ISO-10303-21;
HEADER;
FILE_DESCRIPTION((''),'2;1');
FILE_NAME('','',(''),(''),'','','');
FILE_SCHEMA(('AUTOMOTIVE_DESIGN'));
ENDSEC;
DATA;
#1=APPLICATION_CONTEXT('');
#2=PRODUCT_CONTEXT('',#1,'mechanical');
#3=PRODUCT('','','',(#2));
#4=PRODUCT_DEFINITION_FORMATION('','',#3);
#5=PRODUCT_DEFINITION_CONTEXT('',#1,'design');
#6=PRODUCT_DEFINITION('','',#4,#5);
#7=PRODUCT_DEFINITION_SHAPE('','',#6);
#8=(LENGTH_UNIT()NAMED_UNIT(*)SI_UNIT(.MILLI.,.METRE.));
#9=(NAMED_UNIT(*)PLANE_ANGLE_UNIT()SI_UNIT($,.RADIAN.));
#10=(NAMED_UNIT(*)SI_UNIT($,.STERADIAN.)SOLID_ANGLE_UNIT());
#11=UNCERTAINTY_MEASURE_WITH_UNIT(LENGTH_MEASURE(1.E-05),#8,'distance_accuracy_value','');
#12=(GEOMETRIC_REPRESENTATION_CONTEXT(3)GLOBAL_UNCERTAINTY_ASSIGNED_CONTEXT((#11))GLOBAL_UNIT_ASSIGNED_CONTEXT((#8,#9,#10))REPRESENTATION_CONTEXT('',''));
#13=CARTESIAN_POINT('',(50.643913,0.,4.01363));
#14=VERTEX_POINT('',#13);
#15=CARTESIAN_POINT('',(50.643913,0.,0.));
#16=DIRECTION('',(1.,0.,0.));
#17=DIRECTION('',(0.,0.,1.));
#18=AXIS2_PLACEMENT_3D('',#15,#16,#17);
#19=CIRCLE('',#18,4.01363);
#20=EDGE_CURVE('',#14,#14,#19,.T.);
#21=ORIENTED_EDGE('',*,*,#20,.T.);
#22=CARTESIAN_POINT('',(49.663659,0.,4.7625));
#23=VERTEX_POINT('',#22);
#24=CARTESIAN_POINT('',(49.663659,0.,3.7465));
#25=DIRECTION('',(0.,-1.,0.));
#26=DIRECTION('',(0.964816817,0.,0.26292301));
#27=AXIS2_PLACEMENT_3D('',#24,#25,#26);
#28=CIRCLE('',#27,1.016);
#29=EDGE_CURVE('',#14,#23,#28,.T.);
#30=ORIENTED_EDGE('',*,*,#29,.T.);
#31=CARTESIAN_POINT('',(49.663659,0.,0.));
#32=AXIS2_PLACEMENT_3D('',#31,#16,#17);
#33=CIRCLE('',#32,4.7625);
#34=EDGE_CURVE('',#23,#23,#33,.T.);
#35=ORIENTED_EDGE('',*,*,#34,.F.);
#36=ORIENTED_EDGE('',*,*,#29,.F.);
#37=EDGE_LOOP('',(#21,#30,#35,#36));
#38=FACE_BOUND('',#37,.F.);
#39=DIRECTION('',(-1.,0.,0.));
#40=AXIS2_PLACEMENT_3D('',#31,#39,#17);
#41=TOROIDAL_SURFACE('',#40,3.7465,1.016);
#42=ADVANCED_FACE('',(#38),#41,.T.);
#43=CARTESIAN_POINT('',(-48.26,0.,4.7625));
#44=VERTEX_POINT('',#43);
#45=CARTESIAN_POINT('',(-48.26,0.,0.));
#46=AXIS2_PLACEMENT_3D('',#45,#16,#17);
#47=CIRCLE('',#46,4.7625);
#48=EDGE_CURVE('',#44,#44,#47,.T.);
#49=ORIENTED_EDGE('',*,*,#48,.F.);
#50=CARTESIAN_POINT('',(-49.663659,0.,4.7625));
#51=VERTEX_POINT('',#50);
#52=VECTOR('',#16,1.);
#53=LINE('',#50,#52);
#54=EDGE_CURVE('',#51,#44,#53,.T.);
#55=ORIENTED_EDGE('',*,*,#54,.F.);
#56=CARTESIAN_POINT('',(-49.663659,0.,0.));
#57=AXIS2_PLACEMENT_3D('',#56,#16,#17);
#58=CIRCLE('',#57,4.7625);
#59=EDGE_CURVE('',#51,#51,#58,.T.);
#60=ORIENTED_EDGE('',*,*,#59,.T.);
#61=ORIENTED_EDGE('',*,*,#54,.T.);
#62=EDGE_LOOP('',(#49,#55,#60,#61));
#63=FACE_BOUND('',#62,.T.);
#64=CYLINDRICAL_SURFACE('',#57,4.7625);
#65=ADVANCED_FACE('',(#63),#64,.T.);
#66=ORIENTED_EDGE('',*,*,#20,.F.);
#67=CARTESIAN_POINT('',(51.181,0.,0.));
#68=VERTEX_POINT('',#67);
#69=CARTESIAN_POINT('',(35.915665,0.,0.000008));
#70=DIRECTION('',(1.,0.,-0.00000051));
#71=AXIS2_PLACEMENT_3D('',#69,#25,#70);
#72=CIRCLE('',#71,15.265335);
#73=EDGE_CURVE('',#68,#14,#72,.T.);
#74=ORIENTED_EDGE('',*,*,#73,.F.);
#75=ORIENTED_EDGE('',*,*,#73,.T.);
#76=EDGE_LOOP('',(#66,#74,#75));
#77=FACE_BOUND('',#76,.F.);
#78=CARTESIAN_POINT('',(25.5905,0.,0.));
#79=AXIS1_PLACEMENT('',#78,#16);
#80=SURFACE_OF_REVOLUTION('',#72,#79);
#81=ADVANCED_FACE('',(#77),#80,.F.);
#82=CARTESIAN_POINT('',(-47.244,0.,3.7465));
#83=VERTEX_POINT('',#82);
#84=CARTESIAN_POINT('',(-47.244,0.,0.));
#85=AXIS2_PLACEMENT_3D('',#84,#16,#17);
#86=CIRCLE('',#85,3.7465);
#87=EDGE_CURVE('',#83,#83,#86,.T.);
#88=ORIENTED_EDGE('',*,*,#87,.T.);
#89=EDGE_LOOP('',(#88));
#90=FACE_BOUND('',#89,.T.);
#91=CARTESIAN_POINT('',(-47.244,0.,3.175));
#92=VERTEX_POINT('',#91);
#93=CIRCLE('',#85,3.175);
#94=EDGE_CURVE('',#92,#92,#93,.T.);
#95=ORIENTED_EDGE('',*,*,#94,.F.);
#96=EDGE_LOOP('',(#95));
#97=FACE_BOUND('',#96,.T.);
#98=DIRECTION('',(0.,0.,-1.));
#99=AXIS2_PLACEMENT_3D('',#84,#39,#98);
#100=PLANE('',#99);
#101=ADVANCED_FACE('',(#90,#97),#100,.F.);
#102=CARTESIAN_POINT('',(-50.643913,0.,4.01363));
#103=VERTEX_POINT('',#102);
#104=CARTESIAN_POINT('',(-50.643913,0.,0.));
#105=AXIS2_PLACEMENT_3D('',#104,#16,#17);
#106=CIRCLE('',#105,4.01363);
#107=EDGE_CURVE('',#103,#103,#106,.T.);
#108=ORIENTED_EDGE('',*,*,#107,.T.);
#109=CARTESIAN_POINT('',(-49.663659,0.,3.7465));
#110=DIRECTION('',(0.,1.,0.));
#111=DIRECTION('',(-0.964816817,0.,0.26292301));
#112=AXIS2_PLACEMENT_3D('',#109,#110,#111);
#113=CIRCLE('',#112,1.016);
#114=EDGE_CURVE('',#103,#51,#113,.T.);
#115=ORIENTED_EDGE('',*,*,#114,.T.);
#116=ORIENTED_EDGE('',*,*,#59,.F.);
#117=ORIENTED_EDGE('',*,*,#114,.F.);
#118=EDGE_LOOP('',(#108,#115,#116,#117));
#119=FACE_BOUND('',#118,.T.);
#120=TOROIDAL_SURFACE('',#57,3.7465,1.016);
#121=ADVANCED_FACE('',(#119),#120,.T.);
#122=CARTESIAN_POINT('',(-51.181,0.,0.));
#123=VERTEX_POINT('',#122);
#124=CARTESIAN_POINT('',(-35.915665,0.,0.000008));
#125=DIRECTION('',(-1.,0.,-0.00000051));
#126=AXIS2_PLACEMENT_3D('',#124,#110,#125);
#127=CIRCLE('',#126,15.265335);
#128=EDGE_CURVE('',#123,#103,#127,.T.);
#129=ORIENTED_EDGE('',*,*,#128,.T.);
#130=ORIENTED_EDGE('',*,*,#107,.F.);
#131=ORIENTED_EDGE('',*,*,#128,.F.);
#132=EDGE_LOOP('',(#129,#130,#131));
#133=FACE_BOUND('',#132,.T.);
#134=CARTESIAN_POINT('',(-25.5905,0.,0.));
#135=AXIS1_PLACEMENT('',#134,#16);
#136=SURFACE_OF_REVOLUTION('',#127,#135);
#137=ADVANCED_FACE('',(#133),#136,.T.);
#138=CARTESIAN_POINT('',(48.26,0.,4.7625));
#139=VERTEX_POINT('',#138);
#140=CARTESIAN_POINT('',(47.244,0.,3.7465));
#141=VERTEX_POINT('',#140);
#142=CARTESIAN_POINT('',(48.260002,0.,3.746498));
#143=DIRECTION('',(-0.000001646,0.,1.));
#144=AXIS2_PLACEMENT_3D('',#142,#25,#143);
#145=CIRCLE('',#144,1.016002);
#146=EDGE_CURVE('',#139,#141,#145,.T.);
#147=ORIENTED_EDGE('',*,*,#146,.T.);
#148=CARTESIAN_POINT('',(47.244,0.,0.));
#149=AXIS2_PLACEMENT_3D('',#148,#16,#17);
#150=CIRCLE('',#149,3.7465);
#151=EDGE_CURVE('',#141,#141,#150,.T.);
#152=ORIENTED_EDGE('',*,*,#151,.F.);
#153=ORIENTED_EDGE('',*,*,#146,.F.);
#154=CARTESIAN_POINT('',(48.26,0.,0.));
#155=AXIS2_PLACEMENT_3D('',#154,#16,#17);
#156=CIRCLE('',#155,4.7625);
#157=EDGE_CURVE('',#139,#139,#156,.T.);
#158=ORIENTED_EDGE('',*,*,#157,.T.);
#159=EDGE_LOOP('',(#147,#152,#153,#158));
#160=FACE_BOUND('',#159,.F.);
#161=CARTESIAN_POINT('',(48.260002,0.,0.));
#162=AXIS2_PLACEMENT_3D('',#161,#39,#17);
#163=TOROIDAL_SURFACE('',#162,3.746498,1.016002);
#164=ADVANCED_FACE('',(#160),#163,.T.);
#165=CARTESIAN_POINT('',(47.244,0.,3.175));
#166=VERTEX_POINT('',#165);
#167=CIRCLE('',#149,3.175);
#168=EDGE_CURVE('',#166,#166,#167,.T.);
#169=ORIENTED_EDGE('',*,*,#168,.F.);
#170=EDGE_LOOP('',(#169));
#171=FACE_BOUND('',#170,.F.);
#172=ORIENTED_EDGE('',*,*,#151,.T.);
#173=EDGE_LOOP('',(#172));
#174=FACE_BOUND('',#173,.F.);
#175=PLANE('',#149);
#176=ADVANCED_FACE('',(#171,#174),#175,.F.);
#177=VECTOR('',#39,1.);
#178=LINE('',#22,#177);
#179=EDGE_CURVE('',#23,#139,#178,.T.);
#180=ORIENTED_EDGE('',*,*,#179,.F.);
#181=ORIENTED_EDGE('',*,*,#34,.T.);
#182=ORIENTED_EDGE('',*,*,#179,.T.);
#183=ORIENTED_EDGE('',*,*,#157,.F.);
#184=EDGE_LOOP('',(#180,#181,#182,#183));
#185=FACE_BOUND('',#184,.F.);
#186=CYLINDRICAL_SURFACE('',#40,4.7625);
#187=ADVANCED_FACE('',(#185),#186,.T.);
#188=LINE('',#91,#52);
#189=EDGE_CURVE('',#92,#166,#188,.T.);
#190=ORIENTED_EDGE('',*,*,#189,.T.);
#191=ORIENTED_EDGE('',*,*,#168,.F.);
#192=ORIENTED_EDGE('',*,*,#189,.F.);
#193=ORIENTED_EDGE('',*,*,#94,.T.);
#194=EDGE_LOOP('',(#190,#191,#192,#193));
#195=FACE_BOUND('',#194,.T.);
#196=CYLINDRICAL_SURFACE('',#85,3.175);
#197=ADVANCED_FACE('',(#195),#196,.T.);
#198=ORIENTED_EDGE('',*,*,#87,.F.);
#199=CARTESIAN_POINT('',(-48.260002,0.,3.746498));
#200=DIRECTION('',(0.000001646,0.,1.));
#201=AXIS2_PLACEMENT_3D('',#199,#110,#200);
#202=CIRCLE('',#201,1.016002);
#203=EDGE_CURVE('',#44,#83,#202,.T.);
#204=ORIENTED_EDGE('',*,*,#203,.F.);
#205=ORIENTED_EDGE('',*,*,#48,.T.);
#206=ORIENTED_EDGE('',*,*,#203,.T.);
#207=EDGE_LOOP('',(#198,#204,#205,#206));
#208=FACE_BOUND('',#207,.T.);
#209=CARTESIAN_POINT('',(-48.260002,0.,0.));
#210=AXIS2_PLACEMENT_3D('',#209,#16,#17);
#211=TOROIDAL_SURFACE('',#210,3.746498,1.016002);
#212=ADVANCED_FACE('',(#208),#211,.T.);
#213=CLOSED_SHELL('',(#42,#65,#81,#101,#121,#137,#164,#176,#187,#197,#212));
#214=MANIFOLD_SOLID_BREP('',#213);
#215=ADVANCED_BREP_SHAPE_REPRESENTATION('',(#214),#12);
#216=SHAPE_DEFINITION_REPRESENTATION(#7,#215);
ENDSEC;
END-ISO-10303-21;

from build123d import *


with BuildPart() as f1:
    # F0 (on Front) → F1 (revolve)
    with BuildSketch(Plane.XZ):
        with BuildLine():
            Line((0, 3.175), (0, 0))
            Line((0, 0), (51.181, 0))
            ThreePointArc((51.181, 0), (51.046133, 2.024703), (50.643913, 4.01363))
            ThreePointArc((50.643913, 4.01363), (50.280446, 4.55386), (49.663659, 4.7625))
            Line((49.663659, 4.7625), (48.26, 4.7625))
            ThreePointArc((48.26, 4.7625), (47.54158, 4.46492), (47.244, 3.7465))
            Line((47.244, 3.7465), (47.244, 3.175))
            Line((47.244, 3.175), (0, 3.175))
        make_face()
    revolve(axis=Axis((25.5905, 0, 0), (1, 0, 0)))

    # F2: F1 across plane


with BuildPart() as f1_1:
    add(f1.part)
    add(f1.part.mirror(Plane.YZ))


solid = f1_1.part
